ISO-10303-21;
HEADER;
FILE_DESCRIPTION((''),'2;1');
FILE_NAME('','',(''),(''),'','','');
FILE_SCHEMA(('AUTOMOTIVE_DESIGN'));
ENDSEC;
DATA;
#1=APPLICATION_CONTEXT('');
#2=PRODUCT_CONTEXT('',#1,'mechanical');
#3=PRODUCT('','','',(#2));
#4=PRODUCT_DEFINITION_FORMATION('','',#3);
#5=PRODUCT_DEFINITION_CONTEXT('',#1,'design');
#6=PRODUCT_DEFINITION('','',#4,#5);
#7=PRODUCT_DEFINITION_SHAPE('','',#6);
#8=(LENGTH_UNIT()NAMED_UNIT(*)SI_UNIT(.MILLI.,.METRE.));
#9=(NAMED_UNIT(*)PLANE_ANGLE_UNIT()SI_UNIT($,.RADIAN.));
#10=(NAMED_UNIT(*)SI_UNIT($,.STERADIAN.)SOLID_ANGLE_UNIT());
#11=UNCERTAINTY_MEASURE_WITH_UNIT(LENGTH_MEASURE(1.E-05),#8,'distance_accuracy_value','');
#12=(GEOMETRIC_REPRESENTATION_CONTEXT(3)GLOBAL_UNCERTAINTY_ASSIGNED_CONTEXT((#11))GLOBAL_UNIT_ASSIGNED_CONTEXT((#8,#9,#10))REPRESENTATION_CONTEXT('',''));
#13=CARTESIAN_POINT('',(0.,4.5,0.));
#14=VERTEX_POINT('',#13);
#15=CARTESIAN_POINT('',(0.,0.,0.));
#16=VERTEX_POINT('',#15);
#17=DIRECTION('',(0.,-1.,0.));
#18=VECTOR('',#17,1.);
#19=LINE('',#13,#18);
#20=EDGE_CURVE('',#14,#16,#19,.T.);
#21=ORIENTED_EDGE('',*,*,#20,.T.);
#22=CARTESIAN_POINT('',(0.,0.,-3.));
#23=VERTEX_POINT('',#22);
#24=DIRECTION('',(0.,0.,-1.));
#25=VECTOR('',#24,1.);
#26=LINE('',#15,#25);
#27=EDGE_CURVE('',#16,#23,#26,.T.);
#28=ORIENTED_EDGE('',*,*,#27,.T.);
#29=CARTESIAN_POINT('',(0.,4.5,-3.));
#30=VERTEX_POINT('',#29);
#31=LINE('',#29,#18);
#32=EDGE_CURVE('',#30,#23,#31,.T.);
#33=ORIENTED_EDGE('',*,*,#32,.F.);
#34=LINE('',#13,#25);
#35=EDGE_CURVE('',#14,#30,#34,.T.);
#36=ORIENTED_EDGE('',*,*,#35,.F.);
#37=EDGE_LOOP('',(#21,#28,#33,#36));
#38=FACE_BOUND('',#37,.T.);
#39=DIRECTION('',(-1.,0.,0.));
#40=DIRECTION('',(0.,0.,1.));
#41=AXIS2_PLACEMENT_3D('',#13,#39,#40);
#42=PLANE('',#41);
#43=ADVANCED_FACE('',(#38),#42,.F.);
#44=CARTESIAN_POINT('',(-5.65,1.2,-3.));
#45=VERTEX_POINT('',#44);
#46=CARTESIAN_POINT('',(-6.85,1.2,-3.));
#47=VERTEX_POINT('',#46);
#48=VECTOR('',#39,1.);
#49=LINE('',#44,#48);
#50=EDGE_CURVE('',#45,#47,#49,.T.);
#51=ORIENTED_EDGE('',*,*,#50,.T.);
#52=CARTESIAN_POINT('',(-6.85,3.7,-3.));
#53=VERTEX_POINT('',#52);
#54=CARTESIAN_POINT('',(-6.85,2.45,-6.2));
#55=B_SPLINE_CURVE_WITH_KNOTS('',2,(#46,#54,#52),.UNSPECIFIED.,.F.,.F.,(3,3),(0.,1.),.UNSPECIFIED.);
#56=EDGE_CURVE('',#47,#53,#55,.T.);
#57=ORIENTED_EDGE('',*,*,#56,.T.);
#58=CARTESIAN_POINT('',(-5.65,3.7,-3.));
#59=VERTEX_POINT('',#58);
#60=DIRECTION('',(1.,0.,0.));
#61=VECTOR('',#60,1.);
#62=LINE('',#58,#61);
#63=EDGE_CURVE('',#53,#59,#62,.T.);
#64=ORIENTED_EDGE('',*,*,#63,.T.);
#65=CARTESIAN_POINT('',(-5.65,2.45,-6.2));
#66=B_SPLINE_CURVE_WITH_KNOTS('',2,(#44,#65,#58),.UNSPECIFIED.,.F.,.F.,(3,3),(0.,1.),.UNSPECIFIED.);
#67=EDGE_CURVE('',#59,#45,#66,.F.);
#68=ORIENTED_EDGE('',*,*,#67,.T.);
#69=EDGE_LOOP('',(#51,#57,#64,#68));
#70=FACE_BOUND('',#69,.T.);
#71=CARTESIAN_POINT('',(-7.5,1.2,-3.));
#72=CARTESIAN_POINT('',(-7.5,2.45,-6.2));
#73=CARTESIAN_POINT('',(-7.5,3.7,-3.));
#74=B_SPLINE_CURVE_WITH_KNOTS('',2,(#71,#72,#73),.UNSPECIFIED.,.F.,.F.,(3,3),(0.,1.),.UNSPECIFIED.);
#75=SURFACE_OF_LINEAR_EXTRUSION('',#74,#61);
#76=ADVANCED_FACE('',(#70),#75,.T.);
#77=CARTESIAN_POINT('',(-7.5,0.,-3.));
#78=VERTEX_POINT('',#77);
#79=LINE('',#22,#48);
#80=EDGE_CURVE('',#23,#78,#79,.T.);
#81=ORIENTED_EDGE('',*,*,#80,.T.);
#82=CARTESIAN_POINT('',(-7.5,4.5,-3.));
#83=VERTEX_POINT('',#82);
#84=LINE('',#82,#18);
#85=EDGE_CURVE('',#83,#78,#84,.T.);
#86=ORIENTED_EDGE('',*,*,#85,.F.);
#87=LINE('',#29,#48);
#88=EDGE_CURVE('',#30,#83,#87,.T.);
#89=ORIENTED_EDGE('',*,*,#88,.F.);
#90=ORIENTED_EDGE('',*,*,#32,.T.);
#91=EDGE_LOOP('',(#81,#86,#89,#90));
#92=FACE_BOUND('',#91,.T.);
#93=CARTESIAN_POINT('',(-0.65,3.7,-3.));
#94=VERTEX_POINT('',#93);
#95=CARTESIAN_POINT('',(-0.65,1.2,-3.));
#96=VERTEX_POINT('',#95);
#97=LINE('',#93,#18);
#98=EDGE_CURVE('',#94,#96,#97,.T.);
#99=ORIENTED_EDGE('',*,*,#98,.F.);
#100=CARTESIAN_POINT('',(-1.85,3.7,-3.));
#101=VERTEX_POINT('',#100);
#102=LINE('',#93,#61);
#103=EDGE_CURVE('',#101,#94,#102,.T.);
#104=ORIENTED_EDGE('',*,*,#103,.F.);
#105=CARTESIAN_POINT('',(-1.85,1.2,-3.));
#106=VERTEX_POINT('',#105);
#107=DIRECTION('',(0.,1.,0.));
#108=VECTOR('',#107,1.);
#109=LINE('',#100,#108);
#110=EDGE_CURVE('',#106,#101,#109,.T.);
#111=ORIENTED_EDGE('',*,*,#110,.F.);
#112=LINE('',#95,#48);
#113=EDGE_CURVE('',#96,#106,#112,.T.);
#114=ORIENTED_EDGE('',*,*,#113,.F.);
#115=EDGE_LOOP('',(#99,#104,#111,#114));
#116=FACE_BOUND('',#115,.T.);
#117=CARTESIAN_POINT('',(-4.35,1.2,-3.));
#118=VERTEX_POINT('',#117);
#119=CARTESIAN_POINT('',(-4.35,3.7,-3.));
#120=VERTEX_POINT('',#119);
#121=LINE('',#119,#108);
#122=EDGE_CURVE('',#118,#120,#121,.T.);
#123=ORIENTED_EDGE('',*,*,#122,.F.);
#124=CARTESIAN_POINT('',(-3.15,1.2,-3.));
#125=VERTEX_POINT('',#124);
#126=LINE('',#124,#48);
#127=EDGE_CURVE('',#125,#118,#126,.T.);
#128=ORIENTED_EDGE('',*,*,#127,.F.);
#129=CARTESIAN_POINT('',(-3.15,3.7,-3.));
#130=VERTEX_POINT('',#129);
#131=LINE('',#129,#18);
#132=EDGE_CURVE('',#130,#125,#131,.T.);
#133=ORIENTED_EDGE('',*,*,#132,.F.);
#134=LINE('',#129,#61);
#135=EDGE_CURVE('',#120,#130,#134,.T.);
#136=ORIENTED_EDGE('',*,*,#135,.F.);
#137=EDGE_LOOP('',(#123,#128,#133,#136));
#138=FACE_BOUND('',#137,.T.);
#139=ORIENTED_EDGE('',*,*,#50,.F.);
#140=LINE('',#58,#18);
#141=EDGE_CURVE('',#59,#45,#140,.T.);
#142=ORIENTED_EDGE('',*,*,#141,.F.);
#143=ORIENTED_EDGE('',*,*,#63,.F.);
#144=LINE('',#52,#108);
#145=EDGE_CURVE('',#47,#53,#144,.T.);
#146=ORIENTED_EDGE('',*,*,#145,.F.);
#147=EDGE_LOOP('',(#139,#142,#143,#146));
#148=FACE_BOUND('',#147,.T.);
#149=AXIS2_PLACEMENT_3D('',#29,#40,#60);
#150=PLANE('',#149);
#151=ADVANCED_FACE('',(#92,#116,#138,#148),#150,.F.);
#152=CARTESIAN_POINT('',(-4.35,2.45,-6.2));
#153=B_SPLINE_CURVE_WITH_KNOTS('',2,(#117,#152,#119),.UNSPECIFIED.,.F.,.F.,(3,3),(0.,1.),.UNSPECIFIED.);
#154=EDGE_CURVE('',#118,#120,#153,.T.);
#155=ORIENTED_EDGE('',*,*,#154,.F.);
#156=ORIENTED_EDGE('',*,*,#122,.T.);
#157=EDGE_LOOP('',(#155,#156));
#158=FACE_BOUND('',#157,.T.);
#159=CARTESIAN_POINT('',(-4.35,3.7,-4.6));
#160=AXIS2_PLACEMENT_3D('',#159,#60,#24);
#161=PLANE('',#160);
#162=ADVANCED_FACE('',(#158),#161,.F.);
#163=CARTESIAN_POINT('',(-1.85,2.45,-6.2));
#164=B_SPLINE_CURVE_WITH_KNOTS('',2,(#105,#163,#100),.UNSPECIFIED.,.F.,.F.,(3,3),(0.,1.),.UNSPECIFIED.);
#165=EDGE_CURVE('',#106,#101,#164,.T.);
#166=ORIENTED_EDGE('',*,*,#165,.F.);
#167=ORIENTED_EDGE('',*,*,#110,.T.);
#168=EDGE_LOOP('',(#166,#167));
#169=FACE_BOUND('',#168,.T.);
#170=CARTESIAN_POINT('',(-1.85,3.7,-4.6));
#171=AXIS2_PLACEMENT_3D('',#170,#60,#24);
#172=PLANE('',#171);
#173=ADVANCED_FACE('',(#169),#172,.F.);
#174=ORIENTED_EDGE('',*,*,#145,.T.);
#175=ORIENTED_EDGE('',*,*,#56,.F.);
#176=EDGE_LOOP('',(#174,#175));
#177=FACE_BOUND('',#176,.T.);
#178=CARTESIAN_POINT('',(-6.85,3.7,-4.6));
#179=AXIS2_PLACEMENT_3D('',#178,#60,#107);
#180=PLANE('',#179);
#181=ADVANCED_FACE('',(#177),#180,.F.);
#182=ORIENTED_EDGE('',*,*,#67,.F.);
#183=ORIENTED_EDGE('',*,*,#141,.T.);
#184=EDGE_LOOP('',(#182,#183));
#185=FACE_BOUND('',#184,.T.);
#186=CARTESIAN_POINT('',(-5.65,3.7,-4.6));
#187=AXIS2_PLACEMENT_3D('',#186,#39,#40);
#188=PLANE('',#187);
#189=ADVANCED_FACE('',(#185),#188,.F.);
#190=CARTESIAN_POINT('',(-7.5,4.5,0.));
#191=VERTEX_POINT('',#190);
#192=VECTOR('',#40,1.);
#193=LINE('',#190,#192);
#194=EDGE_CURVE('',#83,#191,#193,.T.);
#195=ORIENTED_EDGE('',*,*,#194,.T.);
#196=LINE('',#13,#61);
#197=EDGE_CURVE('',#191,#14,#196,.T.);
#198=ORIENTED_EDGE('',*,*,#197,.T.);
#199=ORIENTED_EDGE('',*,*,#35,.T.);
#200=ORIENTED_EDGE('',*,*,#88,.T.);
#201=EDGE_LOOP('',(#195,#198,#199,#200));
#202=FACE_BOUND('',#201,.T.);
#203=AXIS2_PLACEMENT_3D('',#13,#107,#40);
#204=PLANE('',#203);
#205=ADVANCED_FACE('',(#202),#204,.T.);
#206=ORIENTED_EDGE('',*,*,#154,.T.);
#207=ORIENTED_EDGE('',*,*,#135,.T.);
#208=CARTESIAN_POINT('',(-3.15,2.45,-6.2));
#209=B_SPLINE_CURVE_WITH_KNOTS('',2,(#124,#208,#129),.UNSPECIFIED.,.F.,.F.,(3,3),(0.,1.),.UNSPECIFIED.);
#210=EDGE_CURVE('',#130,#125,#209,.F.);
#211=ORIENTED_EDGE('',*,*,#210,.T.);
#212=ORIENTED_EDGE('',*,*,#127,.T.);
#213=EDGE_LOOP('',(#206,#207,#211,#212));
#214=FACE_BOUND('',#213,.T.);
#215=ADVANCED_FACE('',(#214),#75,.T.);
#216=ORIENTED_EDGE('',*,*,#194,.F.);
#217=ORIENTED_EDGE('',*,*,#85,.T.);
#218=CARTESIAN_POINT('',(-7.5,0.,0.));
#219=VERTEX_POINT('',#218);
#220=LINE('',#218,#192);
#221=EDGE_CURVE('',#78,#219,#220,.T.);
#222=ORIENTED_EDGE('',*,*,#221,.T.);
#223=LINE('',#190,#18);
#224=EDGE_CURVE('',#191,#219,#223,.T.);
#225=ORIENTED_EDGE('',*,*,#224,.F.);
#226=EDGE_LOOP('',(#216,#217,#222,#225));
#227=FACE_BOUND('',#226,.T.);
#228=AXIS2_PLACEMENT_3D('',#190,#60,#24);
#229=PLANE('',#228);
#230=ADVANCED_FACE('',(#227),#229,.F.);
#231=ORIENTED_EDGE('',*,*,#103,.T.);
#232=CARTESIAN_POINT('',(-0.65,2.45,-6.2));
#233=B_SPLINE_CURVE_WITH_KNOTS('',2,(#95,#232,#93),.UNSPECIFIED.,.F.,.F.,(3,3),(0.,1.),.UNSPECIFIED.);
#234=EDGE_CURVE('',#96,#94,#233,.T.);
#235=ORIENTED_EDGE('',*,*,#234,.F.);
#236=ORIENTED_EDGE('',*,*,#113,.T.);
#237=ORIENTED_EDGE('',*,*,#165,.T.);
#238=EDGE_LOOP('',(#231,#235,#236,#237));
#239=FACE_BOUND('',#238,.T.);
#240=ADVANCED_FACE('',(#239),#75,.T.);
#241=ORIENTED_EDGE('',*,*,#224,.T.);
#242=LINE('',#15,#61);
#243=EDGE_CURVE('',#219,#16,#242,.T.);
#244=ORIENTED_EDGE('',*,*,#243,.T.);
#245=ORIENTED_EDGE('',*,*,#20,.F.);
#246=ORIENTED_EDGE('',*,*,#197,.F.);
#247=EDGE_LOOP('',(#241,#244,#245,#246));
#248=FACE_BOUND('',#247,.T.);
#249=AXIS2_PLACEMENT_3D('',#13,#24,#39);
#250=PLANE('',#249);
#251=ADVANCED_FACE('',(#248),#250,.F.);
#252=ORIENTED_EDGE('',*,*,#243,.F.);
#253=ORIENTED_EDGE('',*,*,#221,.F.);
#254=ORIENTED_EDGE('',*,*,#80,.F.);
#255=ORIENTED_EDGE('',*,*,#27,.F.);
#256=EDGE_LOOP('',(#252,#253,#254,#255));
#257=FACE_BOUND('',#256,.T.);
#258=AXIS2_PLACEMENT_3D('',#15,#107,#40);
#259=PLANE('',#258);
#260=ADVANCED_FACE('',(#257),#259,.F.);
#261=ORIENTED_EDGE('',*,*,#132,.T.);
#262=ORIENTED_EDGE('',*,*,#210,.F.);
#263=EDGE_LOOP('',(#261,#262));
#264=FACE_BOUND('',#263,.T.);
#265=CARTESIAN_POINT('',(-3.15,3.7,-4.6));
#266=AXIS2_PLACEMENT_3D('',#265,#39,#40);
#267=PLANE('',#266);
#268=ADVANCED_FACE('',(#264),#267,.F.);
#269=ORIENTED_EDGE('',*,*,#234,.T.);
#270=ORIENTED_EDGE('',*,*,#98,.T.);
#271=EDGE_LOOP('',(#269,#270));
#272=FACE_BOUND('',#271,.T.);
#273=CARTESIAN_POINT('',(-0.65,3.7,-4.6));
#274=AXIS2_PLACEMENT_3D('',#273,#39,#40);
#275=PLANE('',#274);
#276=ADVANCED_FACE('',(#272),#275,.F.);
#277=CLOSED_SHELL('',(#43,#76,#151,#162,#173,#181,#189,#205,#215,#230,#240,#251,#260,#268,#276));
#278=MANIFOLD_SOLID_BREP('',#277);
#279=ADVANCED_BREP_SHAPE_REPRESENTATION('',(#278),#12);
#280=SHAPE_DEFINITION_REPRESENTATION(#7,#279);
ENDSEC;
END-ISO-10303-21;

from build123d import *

# Parameters (mm, degrees)
SKETCH_1_W          = 7.5
SKETCH_1_H          = 3
EXTRUDE_1_DEPTH     = 4.5
SKETCH_2_W          = 1.2
SKETCH_2_H          = 2.5
EXTRUDE_2_DEPTH     = 1.6
CUT_EXTRUDE_1_DEPTH = 10.39853712


with BuildPart() as part:
    # 草图1 → 凸台-拉伸1 (new body)
    with BuildSketch(Plane(origin=(0, 0, 0), x_dir=(1, 0, 0), z_dir=(0, 1, 0))):
        with Locations((-3.75, 1.5)):
            Rectangle(SKETCH_1_W, SKETCH_1_H)
    extrude(amount=EXTRUDE_1_DEPTH)

    # 草图2 → 凸台-拉伸2 (add)
    with BuildSketch(Plane(origin=(0, 0, -3), x_dir=(-1, 0, 0), z_dir=(0, 0, -1))):
        with Locations((1.25, 2.45)):
            Rectangle(SKETCH_2_W, SKETCH_2_H)
        with Locations((3.75, 2.45)):
            Rectangle(SKETCH_2_W, SKETCH_2_H)
        with Locations((6.25, 2.45)):
            Rectangle(SKETCH_2_W, SKETCH_2_H)
    extrude(amount=EXTRUDE_2_DEPTH)

    # 草图3 → 切除-拉伸1 (cut, through all)
    with BuildSketch(Plane(origin=(-0.65, 0, 0), x_dir=(0, 0, -1), z_dir=(1, 0, 0))):
        with BuildLine():
            add(Edge.make_bspline(
                [(4.6, 2.45), (4.6, 3.075), (3, 3.7)],
                knots=[0.5, 0.5, 0.5, 1, 1, 1], degree=2))
            Line((4.6, 2.45), (4.6, 3.7))
            Line((4.6, 3.7), (3, 3.7))
        make_face()
        with BuildLine():
            add(Edge.make_bspline(
                [(3, 1.2), (4.6, 1.825), (4.6, 2.45)],
                knots=[0, 0, 0, 0.5, 0.5, 0.5], degree=2))
            Line((3, 1.2), (4.6, 1.2))
            Line((4.6, 1.2), (4.6, 2.45))
        make_face()
    extrude(amount=-CUT_EXTRUDE_1_DEPTH, mode=Mode.SUBTRACT)


solid = part.part
